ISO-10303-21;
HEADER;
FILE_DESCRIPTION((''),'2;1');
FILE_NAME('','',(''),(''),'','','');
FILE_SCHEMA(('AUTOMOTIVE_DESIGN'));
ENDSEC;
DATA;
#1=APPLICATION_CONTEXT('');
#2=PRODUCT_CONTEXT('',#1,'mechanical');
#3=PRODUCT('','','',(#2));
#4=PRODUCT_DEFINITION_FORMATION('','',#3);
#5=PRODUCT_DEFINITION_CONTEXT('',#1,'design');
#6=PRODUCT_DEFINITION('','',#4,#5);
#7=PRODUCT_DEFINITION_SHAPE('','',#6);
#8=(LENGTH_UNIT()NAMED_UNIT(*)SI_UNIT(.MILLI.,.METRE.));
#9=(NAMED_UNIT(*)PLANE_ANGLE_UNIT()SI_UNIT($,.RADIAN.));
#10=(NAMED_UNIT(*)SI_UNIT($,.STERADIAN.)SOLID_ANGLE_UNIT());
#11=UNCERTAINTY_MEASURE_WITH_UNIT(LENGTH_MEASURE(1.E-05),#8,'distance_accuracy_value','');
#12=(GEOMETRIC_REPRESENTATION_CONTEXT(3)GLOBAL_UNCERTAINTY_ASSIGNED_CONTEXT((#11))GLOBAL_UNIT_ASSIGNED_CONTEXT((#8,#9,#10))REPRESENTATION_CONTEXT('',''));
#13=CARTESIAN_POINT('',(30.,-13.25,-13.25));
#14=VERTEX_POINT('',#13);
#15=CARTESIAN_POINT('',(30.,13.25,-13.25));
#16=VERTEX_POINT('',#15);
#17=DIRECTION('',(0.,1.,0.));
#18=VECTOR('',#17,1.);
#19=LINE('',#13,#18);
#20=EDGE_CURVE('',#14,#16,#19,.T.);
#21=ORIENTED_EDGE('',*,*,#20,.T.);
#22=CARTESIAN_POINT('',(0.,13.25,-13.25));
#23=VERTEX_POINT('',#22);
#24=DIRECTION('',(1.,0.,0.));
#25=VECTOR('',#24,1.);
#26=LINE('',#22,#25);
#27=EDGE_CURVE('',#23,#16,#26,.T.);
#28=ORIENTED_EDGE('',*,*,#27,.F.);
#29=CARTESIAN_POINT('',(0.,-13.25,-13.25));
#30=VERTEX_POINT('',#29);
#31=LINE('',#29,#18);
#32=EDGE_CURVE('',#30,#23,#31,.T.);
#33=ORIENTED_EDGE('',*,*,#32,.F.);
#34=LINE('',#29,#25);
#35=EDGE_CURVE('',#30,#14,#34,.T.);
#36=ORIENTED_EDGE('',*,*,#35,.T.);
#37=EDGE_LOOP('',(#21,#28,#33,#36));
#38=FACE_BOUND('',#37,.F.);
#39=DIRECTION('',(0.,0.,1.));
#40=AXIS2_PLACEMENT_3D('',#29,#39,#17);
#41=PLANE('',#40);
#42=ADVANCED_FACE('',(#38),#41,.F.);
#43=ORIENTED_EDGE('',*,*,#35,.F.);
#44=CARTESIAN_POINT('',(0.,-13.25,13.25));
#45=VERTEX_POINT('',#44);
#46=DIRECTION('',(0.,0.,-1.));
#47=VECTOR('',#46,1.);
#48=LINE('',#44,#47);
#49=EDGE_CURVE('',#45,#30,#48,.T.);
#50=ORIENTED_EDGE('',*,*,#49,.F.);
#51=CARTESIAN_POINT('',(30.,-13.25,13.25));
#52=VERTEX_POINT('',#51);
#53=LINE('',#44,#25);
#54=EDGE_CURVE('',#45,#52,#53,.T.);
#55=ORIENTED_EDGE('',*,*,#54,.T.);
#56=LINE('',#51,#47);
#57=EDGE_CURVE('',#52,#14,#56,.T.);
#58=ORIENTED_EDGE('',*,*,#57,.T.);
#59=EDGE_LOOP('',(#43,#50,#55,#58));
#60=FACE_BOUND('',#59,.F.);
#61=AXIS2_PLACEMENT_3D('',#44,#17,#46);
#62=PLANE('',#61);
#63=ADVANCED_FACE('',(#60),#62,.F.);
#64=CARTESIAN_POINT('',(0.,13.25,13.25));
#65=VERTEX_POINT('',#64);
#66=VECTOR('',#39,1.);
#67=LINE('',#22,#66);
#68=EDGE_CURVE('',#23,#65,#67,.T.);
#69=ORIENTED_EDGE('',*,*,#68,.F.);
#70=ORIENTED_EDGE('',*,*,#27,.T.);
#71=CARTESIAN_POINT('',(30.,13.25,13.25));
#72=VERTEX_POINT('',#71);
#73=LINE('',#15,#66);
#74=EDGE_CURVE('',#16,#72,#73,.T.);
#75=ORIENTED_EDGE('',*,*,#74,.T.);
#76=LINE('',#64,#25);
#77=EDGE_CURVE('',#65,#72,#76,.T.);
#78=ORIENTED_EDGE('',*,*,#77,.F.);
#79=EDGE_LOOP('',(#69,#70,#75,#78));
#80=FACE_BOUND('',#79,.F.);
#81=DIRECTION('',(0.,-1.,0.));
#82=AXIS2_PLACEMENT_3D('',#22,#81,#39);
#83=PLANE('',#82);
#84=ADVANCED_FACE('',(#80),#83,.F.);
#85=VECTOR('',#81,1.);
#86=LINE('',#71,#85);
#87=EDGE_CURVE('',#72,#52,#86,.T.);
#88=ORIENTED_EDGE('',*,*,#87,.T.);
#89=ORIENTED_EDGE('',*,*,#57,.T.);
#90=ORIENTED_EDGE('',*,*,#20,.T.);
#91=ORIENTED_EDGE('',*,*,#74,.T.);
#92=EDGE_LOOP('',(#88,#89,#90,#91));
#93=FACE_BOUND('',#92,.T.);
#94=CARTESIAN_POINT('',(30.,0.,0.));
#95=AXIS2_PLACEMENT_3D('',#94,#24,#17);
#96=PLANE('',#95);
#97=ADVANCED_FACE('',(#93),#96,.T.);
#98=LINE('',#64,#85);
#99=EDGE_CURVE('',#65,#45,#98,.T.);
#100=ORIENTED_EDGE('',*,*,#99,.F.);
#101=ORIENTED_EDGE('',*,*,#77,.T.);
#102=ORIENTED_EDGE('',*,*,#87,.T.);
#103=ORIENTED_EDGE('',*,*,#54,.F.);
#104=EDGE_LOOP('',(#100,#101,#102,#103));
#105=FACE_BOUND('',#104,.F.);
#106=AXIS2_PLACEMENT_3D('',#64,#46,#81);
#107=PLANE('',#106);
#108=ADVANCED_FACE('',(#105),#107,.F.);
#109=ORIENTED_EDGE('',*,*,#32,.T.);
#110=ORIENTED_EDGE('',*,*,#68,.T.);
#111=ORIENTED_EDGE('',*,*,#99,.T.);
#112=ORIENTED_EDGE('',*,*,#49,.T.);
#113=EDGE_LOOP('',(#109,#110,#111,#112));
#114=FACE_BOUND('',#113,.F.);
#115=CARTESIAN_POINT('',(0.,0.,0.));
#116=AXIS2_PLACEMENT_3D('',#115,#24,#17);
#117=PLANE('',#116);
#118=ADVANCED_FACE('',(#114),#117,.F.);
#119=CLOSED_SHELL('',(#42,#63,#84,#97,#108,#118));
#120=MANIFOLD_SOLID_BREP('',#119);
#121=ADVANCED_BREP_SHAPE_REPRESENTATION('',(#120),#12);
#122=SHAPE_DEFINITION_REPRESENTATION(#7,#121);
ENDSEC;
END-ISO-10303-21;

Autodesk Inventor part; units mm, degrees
ref_plane "YZ Plane" through (0, 0, 0) normal (1, 0, 0) x (0, 1, 0)
ref_plane "XZ Plane" through (0, 0, 0) normal (0, 1, 0) x (-1, 0, 0)
ref_plane "XY Plane" through (0, 0, 0) normal (0, 0, 1) x (1, 0, 0)
sketch "Skizze1" plane through (0, 0, 0) normal (1, 0, 0) x (0, 1, 0)
  line L0 (-13.25, -13.25) -> (13.25, -13.25)
  line L1 (13.25, -13.25) -> (13.25, 13.25)
  line L2 (13.25, 13.25) -> (-13.25, 13.25)
  line L3 (-13.25, 13.25) -> (-13.25, -13.25)
  line L4 (-13.25, -13.25) -> (13.25, 13.25) construction
  line L5 (13.25, -13.25) -> (-13.25, 13.25) construction
  point P0 (0, 0)
  dimension "d0" = 26.5
  dimension "d1" = 26.5
extrude "Extrusion1" add sketch "Skizze1" along normal blind 30
properties part number "MotorBlock"
